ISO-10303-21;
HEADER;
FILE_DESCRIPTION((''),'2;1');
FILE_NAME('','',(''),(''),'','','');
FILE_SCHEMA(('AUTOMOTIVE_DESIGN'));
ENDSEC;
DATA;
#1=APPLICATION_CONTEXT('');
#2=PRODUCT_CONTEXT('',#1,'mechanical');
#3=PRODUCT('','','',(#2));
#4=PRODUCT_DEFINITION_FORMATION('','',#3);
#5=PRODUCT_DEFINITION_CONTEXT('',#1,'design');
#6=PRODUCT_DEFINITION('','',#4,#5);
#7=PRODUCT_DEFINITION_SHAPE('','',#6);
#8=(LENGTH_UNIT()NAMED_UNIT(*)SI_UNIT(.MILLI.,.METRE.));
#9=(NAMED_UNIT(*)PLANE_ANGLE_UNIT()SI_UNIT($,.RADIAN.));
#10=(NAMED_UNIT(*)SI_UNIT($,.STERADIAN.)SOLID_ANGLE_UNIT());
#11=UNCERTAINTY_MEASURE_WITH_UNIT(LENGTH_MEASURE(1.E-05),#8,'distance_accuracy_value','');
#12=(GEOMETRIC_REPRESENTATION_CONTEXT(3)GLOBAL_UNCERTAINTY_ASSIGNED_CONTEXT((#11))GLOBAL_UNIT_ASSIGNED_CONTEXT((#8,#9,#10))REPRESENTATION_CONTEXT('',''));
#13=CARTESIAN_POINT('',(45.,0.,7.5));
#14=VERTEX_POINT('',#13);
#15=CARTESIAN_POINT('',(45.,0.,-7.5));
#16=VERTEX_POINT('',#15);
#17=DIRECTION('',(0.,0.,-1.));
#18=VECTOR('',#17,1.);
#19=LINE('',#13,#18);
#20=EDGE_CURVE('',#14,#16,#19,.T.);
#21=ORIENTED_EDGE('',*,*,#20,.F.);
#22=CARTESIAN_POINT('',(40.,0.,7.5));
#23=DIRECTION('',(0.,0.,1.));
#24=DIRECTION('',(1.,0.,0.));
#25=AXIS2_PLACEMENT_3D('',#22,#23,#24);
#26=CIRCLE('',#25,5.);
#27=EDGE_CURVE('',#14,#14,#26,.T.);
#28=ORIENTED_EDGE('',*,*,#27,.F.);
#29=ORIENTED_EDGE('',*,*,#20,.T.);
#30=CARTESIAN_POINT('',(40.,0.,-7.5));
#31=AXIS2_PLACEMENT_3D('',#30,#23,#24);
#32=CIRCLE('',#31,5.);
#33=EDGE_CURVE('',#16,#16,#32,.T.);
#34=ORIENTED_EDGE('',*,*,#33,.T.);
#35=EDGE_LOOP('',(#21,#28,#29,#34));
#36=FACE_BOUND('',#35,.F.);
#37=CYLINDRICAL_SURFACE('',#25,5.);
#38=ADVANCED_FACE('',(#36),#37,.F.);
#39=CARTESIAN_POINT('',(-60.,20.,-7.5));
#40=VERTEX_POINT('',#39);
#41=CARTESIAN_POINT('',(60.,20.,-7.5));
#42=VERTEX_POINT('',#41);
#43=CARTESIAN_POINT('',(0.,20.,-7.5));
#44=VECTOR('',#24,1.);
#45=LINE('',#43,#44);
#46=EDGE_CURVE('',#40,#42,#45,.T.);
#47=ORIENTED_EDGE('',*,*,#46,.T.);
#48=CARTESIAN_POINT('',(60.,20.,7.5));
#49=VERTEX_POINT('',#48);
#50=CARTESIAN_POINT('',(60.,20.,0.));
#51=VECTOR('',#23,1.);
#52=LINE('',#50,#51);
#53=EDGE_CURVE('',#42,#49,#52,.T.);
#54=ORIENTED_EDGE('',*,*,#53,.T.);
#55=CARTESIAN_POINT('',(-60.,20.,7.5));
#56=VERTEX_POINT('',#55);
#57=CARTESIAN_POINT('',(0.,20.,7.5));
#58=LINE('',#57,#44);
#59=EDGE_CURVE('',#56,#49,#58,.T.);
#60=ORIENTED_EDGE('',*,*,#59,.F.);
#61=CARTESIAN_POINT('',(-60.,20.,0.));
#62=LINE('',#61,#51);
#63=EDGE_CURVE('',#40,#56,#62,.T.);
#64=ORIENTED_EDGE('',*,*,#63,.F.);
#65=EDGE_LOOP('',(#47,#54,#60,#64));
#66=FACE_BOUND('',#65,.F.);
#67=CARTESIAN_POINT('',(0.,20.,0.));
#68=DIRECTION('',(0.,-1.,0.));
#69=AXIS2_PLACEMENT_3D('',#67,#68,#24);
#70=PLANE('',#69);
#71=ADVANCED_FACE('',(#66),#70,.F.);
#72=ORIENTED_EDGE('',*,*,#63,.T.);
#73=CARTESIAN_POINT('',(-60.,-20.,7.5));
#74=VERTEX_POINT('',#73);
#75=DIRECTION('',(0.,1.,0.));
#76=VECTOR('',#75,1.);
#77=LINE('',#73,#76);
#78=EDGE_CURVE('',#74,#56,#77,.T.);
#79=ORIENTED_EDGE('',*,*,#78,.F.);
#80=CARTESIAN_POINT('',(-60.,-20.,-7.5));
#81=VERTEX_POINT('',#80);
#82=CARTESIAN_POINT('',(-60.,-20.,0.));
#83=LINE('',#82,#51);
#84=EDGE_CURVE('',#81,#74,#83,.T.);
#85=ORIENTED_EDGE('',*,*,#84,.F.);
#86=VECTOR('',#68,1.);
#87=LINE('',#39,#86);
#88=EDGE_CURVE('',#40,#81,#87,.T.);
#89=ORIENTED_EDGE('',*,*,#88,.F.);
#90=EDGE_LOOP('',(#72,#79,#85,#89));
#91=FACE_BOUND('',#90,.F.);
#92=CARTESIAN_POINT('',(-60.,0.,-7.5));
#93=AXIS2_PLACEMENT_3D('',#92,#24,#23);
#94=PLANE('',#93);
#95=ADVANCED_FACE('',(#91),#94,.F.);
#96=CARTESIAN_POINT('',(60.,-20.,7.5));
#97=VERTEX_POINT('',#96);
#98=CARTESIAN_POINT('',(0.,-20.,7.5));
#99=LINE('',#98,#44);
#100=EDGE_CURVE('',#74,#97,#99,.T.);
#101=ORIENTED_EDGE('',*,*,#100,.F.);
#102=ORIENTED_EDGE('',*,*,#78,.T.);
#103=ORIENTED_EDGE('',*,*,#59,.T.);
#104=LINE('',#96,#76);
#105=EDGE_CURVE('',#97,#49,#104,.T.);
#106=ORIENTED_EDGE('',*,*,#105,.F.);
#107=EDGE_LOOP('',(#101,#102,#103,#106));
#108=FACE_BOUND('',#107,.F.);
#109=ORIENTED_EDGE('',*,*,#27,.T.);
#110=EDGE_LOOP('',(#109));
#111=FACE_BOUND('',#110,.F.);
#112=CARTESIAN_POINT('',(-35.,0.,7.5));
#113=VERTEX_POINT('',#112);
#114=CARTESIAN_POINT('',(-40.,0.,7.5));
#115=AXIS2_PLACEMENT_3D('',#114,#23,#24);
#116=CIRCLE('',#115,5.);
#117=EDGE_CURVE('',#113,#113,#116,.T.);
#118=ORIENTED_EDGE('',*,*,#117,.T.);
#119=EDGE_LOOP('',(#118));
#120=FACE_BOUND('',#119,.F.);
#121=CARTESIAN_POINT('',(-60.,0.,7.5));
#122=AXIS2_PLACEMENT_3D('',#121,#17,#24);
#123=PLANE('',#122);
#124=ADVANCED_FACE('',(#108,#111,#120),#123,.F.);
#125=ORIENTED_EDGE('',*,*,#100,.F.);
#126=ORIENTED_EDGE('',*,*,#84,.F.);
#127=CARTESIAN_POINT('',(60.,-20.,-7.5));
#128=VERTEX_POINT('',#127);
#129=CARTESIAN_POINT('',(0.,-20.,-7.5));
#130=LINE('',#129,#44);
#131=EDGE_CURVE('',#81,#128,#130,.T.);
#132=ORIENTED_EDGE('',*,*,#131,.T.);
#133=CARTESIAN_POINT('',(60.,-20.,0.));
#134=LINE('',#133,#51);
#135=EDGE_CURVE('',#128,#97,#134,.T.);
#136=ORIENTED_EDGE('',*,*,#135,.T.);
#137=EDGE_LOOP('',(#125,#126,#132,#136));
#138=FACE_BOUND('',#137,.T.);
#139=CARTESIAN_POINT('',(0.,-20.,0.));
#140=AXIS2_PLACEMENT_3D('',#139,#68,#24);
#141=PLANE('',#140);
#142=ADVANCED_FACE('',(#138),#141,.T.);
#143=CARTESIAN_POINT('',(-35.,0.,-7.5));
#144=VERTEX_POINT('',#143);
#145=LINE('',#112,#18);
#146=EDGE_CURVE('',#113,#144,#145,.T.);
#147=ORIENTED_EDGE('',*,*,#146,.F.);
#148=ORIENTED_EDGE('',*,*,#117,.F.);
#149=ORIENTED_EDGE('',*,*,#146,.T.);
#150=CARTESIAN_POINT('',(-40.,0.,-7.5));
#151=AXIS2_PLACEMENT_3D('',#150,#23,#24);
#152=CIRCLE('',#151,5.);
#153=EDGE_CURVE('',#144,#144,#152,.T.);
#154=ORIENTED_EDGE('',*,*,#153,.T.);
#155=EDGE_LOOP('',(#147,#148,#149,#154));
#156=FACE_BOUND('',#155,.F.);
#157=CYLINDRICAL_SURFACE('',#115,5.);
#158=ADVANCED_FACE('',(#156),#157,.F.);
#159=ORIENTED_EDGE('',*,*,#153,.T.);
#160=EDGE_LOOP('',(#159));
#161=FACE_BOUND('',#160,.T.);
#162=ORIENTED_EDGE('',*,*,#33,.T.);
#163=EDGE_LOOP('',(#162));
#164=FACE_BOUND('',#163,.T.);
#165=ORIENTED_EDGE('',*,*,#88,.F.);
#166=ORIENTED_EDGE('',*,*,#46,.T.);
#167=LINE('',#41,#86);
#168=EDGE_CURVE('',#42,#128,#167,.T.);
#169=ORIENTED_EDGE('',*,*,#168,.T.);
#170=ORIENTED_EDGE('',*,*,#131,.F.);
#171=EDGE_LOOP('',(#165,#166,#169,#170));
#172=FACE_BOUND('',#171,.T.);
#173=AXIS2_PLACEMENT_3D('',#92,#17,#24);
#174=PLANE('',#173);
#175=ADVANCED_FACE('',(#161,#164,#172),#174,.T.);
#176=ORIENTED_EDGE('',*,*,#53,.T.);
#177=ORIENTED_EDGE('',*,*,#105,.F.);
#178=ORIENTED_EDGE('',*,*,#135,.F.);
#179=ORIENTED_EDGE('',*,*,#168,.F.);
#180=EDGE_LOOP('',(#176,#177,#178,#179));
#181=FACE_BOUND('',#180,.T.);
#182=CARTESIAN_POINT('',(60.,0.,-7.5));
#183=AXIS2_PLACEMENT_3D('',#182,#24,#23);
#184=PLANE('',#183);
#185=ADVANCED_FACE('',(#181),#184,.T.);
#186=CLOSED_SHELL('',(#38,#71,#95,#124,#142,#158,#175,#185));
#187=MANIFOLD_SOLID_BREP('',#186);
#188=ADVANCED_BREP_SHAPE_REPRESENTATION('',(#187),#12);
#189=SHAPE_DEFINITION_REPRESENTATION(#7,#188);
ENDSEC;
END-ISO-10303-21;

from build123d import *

# Parameters (mm, degrees)
F0_W          = 120
F0_H          = 15
F1_DEPTH      = 20
F1_DEPTH_BACK = 20
F2_R          = 5
F3_DEPTH      = 15.001


with BuildPart() as f1:
    # F0 (on Front) → F1 (new body, two sides)
    with BuildSketch(Plane.XZ) as f1_sk:
        Rectangle(F0_W, F0_H)
    extrude(amount=F1_DEPTH)
    extrude(f1_sk.sketch, amount=-F1_DEPTH_BACK)

    # F2 (on face) → F3 (cut, through all)
    with BuildSketch(Plane.XY.offset(7.5)):
        with Locations((-40, 0)):
            Circle(F2_R)
        with Locations((40, 0)):
            Circle(F2_R)
    extrude(amount=-F3_DEPTH, mode=Mode.SUBTRACT)


solid = f1.part
